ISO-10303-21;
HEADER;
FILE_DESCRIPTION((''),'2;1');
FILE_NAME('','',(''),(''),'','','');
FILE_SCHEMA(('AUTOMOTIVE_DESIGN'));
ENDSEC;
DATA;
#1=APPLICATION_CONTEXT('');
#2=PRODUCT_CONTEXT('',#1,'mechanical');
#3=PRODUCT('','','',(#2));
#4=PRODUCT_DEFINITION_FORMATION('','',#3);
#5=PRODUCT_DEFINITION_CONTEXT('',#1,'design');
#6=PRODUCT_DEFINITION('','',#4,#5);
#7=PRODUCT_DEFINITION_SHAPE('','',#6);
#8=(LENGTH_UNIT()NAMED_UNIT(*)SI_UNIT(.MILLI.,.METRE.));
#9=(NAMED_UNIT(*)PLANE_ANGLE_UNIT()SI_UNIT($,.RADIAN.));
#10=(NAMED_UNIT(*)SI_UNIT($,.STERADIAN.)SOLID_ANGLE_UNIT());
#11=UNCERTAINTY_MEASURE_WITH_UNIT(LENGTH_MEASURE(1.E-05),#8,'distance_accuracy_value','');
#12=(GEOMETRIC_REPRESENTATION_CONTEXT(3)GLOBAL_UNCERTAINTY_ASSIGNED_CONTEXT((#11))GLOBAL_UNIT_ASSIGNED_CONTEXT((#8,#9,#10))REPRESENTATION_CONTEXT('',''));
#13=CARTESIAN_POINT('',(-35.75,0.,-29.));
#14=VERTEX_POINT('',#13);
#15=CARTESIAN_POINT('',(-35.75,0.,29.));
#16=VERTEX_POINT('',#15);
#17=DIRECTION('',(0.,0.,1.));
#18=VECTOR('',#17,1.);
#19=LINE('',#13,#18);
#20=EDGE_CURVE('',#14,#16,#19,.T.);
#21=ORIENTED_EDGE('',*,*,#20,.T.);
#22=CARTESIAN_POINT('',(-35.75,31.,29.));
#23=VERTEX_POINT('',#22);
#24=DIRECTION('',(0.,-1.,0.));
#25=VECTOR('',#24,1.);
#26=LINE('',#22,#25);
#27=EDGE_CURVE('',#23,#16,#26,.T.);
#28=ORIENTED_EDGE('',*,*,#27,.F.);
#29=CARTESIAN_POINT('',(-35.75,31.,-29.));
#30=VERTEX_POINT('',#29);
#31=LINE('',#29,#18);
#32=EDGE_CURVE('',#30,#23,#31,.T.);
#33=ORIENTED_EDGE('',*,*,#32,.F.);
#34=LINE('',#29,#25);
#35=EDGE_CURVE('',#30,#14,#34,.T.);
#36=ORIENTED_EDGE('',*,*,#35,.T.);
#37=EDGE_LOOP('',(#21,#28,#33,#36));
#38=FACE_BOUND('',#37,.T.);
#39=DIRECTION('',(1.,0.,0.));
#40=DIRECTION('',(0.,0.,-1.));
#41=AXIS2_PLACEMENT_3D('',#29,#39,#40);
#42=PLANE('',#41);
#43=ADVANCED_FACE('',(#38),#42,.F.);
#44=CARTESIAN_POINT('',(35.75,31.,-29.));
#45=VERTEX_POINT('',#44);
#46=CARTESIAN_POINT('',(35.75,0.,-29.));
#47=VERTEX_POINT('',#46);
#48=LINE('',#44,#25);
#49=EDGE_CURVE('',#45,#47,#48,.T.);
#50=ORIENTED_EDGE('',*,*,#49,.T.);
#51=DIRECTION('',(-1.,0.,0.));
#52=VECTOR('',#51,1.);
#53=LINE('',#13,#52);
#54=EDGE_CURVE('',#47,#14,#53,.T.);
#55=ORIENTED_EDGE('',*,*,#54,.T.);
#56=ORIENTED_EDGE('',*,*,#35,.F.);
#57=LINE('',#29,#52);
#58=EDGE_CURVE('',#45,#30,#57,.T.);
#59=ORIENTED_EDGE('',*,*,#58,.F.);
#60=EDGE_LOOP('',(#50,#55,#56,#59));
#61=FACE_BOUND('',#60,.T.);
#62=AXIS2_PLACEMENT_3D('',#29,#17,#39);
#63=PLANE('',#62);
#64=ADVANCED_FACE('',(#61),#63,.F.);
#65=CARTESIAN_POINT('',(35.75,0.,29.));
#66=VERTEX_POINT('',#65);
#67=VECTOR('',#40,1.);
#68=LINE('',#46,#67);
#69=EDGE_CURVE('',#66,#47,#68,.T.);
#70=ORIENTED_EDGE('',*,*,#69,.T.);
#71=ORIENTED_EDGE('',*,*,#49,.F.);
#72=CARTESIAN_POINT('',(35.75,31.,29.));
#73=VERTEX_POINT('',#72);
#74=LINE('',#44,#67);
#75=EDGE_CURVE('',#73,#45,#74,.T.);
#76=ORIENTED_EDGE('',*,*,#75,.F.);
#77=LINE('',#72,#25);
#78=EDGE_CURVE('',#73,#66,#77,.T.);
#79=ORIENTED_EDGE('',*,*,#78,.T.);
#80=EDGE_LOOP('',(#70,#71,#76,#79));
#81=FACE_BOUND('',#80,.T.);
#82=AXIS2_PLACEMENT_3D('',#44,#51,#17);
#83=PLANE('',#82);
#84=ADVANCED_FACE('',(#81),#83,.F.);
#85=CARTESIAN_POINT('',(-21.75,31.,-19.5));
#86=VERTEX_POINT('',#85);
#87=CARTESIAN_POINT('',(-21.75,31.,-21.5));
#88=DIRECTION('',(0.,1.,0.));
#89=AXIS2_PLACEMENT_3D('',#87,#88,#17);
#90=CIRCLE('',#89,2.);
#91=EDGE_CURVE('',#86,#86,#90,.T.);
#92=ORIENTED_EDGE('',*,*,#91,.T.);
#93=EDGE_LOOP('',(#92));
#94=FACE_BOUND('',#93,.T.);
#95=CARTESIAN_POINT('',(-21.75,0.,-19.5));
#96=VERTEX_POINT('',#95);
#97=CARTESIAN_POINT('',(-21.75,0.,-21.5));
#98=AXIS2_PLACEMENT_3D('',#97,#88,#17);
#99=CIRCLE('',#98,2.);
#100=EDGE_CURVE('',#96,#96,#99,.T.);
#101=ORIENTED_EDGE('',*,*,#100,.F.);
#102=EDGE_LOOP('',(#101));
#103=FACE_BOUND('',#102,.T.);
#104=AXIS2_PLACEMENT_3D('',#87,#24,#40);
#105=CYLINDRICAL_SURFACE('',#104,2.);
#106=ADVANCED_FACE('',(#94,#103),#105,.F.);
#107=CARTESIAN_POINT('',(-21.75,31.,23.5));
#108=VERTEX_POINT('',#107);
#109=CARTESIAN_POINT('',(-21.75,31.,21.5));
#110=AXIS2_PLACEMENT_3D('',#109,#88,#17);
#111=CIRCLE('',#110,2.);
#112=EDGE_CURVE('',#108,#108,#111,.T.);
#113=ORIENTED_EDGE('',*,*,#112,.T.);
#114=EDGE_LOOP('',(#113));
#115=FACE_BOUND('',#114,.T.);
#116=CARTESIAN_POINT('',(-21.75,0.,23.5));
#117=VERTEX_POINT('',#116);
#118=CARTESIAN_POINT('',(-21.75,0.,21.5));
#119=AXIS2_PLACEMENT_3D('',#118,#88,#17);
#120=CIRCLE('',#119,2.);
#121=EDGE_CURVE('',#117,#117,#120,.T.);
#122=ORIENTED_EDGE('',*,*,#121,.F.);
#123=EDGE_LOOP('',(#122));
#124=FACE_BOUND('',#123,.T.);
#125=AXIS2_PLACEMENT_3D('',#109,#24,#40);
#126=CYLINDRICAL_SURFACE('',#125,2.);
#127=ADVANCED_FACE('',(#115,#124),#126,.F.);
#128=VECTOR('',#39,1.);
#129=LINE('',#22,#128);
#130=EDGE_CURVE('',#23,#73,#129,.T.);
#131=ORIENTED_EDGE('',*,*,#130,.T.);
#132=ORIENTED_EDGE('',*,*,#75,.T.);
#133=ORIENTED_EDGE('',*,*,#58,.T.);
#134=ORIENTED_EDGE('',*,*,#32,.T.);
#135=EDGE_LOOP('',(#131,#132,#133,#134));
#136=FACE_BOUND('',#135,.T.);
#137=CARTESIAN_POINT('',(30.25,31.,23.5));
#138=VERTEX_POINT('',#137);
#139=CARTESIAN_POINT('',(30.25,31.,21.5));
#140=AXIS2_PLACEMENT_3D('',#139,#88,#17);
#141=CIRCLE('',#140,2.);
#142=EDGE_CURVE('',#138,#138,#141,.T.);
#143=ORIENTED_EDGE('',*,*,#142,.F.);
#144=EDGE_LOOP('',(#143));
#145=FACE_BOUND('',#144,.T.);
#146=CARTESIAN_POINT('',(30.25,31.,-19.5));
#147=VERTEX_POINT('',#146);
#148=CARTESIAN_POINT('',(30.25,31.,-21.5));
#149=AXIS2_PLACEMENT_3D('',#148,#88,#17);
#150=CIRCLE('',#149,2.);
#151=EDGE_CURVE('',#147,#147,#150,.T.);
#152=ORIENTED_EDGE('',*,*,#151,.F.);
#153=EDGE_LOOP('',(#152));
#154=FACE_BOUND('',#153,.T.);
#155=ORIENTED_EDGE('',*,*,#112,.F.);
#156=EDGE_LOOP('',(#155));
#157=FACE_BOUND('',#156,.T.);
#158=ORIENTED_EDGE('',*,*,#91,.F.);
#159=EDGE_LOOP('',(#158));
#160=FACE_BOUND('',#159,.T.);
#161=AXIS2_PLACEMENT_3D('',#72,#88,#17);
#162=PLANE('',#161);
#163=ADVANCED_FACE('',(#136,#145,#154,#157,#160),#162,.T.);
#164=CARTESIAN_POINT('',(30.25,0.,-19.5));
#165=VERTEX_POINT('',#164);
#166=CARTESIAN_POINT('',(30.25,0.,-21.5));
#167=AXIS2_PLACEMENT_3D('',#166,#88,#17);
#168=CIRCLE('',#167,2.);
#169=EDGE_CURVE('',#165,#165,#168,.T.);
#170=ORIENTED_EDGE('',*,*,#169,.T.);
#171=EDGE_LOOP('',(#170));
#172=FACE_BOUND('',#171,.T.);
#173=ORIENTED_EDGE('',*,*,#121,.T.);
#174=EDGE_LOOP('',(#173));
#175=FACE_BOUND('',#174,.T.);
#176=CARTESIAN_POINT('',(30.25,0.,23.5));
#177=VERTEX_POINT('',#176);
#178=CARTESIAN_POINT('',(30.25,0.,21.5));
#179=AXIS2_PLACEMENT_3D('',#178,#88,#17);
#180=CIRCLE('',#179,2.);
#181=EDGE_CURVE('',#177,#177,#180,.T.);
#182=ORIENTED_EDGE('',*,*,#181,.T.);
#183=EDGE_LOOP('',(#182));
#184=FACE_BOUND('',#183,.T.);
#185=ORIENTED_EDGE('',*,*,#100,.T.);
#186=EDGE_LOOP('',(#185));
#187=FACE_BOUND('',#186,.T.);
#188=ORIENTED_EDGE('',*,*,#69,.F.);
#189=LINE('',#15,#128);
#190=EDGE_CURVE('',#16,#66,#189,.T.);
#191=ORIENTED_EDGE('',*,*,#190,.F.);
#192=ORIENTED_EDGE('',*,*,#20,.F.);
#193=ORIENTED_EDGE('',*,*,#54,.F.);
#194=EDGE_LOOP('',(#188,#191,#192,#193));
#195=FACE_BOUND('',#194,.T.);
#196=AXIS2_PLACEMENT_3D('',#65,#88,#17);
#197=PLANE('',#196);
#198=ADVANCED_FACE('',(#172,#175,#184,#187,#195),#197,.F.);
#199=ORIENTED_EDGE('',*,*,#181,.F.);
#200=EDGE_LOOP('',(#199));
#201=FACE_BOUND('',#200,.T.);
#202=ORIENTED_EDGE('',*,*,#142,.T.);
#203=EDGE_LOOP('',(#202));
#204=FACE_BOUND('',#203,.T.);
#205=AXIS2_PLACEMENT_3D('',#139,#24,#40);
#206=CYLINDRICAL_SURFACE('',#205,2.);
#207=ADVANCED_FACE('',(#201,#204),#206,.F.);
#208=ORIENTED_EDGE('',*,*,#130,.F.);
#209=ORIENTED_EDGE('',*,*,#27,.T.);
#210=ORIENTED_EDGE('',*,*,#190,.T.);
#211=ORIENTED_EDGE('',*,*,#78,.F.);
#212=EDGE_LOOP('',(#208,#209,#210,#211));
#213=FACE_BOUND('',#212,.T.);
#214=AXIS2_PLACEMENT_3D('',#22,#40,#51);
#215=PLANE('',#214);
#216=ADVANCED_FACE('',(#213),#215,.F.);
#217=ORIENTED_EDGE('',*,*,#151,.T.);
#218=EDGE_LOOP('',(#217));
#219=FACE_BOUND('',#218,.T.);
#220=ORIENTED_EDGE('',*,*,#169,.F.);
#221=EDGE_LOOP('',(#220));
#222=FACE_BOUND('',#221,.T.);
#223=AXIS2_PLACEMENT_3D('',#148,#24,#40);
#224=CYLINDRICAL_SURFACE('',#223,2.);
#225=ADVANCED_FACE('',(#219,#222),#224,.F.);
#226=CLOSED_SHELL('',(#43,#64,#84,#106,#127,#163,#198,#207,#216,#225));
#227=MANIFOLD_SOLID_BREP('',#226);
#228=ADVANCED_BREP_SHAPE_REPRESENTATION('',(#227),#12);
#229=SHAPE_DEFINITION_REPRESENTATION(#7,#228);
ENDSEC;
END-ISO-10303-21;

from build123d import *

# Parameters (mm, degrees)
SKETCH_1_W      = 71.5
SKETCH_1_H      = 58
SKETCH_1_R      = 2
EXTRUDE_1_DEPTH = 31


with BuildPart() as part:
    # 草圖1 → 伸長1 (new body)
    with BuildSketch(Plane(origin=(0, 0, 0), x_dir=(1, 0, 0), z_dir=(0, 1, 0))):
        Rectangle(SKETCH_1_W, SKETCH_1_H)
        with Locations(Location((-21.75, 21.5, 0), (0, 0, 270))):
            Circle(SKETCH_1_R, mode=Mode.SUBTRACT)
        with Locations(Location((30.25, 21.5, 0), (0, 0, 270))):
            Circle(SKETCH_1_R, mode=Mode.SUBTRACT)
        with Locations(Location((30.25, -21.5, 0), (0, 0, 270))):
            Circle(SKETCH_1_R, mode=Mode.SUBTRACT)
        with Locations(Location((-21.75, -21.5, 0), (0, 0, 270))):
            Circle(SKETCH_1_R, mode=Mode.SUBTRACT)
    extrude(amount=EXTRUDE_1_DEPTH)


solid = part.part
